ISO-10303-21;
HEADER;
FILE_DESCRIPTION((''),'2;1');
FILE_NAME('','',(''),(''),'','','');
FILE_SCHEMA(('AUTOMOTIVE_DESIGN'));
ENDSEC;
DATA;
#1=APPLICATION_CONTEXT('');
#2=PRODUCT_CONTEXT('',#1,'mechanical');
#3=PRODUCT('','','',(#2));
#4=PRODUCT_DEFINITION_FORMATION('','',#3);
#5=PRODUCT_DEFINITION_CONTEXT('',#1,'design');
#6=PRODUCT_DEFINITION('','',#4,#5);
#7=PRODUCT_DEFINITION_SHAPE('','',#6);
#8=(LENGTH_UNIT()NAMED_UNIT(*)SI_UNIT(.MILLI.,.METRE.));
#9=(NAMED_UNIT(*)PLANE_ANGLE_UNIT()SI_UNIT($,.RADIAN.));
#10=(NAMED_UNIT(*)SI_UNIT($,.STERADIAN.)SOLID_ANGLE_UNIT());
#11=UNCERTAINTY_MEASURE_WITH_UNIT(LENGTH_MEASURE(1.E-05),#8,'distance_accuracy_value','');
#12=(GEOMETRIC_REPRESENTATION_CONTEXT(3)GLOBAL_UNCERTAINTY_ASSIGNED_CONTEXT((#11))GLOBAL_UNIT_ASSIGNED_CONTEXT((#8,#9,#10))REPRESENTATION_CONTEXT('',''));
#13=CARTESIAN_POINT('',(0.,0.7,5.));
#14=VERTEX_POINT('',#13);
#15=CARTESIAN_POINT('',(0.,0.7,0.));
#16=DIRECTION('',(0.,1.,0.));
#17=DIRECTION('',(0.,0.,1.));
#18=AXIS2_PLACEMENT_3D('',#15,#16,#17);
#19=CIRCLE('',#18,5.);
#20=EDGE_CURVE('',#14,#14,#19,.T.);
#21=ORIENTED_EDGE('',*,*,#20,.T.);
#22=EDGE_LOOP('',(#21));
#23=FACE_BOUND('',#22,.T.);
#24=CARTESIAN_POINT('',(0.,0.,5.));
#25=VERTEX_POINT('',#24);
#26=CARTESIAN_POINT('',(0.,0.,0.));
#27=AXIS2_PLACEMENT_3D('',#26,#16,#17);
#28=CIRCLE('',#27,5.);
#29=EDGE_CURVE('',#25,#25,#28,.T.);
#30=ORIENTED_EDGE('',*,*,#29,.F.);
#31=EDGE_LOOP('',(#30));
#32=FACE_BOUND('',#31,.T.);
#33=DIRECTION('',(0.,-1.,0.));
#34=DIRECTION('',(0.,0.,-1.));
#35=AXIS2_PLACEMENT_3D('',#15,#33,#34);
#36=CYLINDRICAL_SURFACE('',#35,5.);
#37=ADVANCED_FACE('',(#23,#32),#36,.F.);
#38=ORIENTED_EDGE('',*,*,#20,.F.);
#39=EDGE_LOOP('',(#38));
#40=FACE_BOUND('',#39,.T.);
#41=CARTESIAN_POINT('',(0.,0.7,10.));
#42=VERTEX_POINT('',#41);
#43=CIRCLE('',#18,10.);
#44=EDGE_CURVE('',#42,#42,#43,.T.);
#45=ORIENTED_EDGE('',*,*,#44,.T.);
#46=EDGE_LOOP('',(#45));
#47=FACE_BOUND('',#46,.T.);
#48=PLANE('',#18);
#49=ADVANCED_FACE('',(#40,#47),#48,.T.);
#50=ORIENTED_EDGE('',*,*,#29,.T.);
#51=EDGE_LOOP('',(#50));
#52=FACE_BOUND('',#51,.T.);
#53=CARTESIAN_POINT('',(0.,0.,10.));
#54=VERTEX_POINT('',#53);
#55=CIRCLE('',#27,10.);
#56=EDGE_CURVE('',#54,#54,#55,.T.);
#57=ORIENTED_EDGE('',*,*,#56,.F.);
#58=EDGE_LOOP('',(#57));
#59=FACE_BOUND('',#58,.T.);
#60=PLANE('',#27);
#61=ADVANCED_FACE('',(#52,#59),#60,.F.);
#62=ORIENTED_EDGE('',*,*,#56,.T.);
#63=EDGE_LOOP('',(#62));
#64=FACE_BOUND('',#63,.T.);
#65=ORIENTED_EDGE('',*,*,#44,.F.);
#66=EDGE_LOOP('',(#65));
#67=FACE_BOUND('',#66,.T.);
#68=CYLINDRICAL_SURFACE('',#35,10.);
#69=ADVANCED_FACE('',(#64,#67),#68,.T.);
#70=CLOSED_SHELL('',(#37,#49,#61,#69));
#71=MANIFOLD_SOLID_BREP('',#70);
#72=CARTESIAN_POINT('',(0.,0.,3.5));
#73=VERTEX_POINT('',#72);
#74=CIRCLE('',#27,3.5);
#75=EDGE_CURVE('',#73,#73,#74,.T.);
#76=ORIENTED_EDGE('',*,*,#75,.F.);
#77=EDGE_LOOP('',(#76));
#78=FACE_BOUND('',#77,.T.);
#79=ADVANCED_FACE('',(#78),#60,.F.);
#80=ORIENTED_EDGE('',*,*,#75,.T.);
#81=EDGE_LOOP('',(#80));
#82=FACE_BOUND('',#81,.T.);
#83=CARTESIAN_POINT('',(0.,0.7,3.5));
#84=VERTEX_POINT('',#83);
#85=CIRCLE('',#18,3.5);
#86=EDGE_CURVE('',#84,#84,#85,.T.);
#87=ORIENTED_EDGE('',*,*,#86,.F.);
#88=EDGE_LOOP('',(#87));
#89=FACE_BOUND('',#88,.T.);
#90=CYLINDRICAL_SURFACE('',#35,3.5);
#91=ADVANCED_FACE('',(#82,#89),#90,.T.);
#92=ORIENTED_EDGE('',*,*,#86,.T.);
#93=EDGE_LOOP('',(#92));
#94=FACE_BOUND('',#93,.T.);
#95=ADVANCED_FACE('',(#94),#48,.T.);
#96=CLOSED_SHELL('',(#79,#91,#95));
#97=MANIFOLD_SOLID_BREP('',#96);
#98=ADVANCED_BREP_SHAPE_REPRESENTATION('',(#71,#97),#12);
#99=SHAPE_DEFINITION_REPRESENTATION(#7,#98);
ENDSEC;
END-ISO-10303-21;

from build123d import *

# Parameters (mm, degrees)
SKETCH1_R           = 10
SKETCH1_R_2         = 5
BOSS_EXTRUDE1_DEPTH = 0.7
SKETCH2_R           = 3.5
BOSS_EXTRUDE2_DEPTH = 0.7


with BuildPart() as part:
    # Sketch1 → Boss-Extrude1 (new body)
    with BuildSketch(Plane(origin=(0, 0, 0), x_dir=(1, 0, 0), z_dir=(0, 1, 0))):
        with Locations(Location((0, 0, 0), (0, 0, 270))):
            Circle(SKETCH1_R)
        with Locations(Location((0, 0, 0), (0, 0, 270))):
            Circle(SKETCH1_R_2, mode=Mode.SUBTRACT)
    extrude(amount=BOSS_EXTRUDE1_DEPTH)


with BuildPart() as body_2:
    # Sketch2 → Boss-Extrude2 (new body)
    with BuildSketch(Plane(origin=(0, 0, 0), x_dir=(1, 0, 0), z_dir=(0, 1, 0))):
        with Locations(Location((0, 0, 0), (0, 0, 270))):
            Circle(SKETCH2_R)
    extrude(amount=BOSS_EXTRUDE2_DEPTH)


solid = Compound([part.part, body_2.part])
